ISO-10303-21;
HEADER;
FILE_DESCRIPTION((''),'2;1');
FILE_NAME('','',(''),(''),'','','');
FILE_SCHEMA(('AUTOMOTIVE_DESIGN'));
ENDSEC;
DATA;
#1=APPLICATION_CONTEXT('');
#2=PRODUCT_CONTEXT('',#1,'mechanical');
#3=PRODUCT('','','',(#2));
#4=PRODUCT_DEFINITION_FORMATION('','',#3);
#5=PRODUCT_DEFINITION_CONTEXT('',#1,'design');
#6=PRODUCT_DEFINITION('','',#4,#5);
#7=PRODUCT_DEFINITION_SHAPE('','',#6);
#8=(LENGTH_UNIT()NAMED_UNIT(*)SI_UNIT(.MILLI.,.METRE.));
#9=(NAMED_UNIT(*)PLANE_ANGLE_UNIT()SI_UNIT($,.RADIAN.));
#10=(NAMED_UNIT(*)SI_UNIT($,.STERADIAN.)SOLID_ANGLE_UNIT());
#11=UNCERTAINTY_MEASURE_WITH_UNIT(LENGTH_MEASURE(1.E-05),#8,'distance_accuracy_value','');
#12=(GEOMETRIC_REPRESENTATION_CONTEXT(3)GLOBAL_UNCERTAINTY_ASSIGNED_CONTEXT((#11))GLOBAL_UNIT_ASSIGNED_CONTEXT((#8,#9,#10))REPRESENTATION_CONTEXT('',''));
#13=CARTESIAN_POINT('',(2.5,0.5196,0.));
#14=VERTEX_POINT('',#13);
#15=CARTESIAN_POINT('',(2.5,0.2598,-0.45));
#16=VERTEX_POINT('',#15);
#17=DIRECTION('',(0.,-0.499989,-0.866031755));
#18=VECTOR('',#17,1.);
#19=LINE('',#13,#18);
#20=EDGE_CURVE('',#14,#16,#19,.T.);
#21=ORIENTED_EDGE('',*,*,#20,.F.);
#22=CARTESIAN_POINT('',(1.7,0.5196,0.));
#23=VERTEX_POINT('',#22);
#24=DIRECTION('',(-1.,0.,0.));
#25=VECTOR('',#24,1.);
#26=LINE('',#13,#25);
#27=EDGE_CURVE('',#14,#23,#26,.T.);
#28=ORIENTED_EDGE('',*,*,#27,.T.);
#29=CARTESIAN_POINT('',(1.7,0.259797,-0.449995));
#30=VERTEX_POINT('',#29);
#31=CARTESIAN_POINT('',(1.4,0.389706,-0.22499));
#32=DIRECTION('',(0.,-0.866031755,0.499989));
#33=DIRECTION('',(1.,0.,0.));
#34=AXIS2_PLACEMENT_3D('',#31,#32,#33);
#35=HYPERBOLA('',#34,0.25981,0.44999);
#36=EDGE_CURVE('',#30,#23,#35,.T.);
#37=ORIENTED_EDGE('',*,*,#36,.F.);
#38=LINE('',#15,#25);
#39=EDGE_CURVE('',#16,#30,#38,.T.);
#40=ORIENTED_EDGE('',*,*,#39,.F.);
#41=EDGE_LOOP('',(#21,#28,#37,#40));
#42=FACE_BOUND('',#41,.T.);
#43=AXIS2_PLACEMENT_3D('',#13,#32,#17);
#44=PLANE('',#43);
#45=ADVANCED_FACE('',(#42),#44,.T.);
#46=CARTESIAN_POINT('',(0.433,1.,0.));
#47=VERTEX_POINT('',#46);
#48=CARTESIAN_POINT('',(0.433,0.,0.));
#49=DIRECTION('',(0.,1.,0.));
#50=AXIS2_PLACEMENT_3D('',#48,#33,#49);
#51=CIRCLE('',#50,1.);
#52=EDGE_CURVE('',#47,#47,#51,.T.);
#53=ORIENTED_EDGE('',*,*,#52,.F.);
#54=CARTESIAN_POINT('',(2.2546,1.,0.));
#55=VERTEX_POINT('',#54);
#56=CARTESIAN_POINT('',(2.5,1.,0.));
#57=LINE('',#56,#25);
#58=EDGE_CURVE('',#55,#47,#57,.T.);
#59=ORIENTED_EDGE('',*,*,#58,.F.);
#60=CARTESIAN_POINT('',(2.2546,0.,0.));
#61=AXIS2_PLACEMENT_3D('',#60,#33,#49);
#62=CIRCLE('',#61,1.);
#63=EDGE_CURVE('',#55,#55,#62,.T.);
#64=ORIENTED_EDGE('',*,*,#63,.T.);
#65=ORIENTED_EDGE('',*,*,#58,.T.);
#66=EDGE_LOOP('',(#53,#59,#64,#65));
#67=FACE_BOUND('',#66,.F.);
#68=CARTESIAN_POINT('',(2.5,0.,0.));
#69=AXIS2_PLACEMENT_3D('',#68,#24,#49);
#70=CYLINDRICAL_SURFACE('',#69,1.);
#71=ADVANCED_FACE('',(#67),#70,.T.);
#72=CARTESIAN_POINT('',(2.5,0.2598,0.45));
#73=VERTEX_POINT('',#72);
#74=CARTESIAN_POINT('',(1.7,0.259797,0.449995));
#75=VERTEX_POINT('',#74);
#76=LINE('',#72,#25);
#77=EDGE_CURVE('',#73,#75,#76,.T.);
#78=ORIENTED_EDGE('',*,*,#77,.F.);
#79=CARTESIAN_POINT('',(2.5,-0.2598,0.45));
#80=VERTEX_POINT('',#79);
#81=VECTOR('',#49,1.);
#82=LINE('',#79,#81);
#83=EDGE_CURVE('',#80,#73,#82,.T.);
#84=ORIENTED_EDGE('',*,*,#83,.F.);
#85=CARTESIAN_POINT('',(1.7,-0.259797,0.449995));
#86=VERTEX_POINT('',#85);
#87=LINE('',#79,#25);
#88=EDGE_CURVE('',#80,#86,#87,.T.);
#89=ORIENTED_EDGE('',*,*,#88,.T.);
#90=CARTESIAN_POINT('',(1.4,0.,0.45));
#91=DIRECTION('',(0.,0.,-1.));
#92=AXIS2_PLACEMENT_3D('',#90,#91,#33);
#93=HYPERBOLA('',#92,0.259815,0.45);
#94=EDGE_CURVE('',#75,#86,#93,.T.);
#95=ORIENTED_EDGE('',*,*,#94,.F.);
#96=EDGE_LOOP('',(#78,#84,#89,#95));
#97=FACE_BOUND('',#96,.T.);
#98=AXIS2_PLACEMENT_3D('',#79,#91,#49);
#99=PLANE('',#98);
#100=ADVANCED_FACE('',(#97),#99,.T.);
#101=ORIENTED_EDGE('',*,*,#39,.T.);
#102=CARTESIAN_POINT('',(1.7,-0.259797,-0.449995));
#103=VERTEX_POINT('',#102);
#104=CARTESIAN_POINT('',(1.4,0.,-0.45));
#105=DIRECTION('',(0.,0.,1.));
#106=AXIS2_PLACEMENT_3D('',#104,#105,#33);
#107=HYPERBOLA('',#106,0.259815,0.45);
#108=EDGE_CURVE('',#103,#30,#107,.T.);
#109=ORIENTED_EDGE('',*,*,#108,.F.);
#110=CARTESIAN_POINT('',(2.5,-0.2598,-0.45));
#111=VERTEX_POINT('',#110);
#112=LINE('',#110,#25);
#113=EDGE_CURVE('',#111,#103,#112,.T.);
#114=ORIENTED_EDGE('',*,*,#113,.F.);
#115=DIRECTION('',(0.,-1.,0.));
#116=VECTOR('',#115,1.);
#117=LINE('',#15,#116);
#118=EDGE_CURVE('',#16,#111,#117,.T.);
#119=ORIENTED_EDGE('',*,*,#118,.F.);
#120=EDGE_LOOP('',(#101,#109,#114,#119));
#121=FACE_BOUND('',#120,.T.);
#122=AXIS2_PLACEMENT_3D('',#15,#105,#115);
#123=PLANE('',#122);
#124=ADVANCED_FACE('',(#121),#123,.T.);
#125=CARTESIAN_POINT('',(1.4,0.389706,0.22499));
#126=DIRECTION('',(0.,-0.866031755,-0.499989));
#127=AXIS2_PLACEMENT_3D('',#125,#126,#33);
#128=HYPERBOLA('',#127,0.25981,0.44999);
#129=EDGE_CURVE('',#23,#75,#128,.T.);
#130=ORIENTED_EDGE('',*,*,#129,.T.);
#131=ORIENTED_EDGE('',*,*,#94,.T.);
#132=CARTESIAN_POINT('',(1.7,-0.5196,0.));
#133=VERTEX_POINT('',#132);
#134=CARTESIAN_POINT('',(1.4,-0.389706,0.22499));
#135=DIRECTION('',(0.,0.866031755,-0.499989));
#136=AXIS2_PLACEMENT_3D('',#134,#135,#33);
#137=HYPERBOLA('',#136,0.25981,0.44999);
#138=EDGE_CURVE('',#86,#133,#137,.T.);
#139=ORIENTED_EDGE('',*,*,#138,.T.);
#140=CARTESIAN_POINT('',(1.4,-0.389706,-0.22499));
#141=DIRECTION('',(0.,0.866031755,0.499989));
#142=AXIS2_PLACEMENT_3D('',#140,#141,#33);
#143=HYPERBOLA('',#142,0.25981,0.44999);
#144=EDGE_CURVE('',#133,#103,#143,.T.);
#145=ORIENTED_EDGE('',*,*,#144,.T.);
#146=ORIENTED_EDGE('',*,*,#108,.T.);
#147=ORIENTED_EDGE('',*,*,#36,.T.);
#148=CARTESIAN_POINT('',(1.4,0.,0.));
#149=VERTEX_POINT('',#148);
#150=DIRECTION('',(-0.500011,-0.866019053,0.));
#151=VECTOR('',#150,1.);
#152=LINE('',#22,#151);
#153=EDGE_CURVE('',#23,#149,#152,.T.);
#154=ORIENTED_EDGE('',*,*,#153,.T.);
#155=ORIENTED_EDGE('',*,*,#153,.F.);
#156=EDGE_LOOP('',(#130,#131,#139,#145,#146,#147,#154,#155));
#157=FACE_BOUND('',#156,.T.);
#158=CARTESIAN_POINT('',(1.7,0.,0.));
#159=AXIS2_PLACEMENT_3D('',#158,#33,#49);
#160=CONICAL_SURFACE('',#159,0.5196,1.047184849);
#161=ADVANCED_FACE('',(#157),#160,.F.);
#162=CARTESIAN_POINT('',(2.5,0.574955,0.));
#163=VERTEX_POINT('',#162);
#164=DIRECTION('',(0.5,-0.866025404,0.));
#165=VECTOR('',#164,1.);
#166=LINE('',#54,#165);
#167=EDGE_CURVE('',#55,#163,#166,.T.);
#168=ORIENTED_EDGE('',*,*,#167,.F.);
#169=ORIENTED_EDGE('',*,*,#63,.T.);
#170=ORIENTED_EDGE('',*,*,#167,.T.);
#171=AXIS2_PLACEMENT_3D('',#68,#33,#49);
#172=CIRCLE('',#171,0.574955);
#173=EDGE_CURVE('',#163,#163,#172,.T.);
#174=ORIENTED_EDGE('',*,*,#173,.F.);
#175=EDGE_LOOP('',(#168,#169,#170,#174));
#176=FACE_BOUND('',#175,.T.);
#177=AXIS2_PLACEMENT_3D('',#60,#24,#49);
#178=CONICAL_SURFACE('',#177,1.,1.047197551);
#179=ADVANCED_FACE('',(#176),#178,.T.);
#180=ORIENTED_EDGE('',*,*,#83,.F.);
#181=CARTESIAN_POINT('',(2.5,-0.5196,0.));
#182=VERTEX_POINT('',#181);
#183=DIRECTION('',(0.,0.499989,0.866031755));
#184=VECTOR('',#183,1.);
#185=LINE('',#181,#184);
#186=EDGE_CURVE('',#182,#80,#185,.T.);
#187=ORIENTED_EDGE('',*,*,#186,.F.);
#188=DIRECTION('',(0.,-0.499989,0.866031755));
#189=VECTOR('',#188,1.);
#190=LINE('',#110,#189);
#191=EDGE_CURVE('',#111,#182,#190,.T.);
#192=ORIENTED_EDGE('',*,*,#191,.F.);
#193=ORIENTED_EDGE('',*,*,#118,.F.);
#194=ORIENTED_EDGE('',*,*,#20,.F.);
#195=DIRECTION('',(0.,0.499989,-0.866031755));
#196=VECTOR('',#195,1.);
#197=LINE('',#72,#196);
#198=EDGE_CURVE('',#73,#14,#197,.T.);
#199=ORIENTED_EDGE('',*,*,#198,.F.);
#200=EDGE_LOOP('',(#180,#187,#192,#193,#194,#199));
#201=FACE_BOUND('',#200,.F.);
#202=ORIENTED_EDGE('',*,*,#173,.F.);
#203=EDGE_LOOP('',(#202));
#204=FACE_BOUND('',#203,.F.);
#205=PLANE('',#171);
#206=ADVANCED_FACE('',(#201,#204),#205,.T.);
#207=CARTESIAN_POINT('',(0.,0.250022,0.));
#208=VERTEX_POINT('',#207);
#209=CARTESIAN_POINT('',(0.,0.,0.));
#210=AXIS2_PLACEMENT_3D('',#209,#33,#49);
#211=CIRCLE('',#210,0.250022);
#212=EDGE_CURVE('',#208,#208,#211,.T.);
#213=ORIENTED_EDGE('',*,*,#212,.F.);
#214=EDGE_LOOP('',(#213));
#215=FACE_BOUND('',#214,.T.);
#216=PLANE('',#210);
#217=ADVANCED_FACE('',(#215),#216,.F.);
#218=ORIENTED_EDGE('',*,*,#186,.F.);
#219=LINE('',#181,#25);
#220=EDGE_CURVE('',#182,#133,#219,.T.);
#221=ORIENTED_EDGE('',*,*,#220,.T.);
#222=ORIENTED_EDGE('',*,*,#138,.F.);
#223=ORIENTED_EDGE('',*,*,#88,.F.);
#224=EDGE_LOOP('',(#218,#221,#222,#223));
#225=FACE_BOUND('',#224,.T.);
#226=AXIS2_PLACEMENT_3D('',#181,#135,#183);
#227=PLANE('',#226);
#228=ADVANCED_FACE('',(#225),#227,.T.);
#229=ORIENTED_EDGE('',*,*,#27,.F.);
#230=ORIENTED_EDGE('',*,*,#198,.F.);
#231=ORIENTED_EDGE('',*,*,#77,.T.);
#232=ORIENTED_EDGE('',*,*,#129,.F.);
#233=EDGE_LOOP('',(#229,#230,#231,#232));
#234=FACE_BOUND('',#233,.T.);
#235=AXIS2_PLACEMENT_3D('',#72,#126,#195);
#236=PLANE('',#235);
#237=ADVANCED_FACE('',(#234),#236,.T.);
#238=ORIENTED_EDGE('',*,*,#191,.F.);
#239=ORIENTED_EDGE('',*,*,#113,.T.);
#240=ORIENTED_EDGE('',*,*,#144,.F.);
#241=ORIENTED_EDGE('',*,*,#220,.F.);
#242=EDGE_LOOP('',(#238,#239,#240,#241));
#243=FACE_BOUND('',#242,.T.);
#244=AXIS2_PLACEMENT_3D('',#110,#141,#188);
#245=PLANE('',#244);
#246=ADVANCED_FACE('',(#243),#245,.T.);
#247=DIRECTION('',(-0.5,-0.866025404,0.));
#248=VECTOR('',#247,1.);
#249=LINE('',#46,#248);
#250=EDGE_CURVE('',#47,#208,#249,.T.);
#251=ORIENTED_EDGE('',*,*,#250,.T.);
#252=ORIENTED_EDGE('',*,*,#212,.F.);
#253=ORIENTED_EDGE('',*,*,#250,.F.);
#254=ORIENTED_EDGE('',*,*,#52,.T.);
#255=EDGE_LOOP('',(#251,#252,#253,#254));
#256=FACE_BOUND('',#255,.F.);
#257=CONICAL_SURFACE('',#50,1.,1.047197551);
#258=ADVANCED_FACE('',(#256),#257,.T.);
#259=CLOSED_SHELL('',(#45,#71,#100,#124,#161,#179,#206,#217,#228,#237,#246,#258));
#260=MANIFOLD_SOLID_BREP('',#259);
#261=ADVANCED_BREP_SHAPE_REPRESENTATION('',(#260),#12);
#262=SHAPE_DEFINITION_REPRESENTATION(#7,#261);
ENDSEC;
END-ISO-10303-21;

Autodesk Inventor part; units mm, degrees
ref_plane "YZ Plane" through (0, 0, 0) normal (1, 0, 0) x (0, 1, 0)
ref_plane "XZ Plane" through (0, 0, 0) normal (0, 1, 0) x (-1, 0, 0)
sketch "Skizze1" plane through (0, 0, 0) normal (0, 0, 1) x (1, 0, 0)
  line L0 (0, 0) -> (1.4, 0)
  line L1 (2.5, 0.5196) -> (2.5, 1)
  line L2 (2.5, 1) -> (0, 1)
  line L3 (2.5, 0.5196) -> (1.7, 0.5196)
  line L4 (1.7, 0.5196) -> (1.4, 0)
  line L5 (0, -0.2) -> (0, 1.2) projected
  line L6 (0, 1) -> (0, 0)
  dimension "d0" = 0.8
  dimension "d1" = 60
  dimension "d2" = 2
  dimension "d3" = 1.0392
  dimension "d5" = 2.5
revolve "Körper" add sketch "Skizze1" angle 360 about axis through (0, 0, 0) along (1, 0, 0)
sketch "Skizze2" plane through (2.5, 0, 0) normal (1, 0, 0) x (0, 1, 0)
  circle A0 centre (0, 0) radius 0.5196 projected
  line L0 (-0.2598, 0.45) -> (0.2598, 0.45)
  line L1 (0.2598, 0.45) -> (0.5196, 0)
  line L2 (0.5196, 0) -> (0.2598, -0.45)
  line L3 (0.2598, -0.45) -> (-0.2598, -0.45)
  line L4 (-0.2598, -0.45) -> (-0.5196, 0)
  line L5 (-0.5196, 0) -> (-0.2598, 0.45)
  point P0 (0, 0)
  point P1 (0, 0)
extrude "Loch" add sketch "Skizze2" against normal up to next contours L1 A0 | A0 L2 | L0 A0 | A0 L3 | L5 A0 | A0 L4
thread "Gewinde" size "M2x0.4" class "6g" standard "ISO Metric profile" length 2.5
chamfer "Fase1" distance 0.433 angle 60 1 edges at (0, -1, 0) measured on face at (1.6667, 0.9968, -0.0805)
chamfer "Fase2" distance 0.2454 angle 60 1 edges at (2.5, -1, 0) measured on face at (1.811, 0.9871, -0.1604)
ref_plane "Work Plane1" through (1.25, 0, 0) normal (0, 0, 1) x (1, 0, 0)
equation "\"d0\" = INTI"
equation "\"d2\" = NND"
equation "\"d3\" = 1.1547 * SW"
equation "\"d5\" = NLG"
equation "\"d12\" = NLG"
equation "\"d9\" = FAWI"
equation "\"d10\" = -0.5 * GD1 + 0.5 * NND"
equation "\"d11\" = FAWI"
equation "\"d35\" = -0.5 * GD1 + 0.5 * NND"
equation "\"NND\" = 2"
equation "\"NLG\" = 2.5"
equation "\"INTI\" = 0.8"
equation "\"FAWI\" = 60deg"
equation "\"SW\" = 0.9"
equation "\"GD1\" = THREADDIA - 1.2269 * PTC"
equation "\"FAWI1\" = 45deg"
equation "\"SPD\" = 0.5"
equation "\"GUL\" = 0.61345 * PTC"
equation "\"TOA\" = 30deg"
equation "\"THREADDIA\" = 2"
equation "\"PTC\" = 0.4"
equation "\"GAL\" = 0.61345 * PTC"
equation "\"E0\" = 1.155 * SW"
properties part number "ISO 4027 - M2 x 2,5" material "Edelstahl, 440C"
